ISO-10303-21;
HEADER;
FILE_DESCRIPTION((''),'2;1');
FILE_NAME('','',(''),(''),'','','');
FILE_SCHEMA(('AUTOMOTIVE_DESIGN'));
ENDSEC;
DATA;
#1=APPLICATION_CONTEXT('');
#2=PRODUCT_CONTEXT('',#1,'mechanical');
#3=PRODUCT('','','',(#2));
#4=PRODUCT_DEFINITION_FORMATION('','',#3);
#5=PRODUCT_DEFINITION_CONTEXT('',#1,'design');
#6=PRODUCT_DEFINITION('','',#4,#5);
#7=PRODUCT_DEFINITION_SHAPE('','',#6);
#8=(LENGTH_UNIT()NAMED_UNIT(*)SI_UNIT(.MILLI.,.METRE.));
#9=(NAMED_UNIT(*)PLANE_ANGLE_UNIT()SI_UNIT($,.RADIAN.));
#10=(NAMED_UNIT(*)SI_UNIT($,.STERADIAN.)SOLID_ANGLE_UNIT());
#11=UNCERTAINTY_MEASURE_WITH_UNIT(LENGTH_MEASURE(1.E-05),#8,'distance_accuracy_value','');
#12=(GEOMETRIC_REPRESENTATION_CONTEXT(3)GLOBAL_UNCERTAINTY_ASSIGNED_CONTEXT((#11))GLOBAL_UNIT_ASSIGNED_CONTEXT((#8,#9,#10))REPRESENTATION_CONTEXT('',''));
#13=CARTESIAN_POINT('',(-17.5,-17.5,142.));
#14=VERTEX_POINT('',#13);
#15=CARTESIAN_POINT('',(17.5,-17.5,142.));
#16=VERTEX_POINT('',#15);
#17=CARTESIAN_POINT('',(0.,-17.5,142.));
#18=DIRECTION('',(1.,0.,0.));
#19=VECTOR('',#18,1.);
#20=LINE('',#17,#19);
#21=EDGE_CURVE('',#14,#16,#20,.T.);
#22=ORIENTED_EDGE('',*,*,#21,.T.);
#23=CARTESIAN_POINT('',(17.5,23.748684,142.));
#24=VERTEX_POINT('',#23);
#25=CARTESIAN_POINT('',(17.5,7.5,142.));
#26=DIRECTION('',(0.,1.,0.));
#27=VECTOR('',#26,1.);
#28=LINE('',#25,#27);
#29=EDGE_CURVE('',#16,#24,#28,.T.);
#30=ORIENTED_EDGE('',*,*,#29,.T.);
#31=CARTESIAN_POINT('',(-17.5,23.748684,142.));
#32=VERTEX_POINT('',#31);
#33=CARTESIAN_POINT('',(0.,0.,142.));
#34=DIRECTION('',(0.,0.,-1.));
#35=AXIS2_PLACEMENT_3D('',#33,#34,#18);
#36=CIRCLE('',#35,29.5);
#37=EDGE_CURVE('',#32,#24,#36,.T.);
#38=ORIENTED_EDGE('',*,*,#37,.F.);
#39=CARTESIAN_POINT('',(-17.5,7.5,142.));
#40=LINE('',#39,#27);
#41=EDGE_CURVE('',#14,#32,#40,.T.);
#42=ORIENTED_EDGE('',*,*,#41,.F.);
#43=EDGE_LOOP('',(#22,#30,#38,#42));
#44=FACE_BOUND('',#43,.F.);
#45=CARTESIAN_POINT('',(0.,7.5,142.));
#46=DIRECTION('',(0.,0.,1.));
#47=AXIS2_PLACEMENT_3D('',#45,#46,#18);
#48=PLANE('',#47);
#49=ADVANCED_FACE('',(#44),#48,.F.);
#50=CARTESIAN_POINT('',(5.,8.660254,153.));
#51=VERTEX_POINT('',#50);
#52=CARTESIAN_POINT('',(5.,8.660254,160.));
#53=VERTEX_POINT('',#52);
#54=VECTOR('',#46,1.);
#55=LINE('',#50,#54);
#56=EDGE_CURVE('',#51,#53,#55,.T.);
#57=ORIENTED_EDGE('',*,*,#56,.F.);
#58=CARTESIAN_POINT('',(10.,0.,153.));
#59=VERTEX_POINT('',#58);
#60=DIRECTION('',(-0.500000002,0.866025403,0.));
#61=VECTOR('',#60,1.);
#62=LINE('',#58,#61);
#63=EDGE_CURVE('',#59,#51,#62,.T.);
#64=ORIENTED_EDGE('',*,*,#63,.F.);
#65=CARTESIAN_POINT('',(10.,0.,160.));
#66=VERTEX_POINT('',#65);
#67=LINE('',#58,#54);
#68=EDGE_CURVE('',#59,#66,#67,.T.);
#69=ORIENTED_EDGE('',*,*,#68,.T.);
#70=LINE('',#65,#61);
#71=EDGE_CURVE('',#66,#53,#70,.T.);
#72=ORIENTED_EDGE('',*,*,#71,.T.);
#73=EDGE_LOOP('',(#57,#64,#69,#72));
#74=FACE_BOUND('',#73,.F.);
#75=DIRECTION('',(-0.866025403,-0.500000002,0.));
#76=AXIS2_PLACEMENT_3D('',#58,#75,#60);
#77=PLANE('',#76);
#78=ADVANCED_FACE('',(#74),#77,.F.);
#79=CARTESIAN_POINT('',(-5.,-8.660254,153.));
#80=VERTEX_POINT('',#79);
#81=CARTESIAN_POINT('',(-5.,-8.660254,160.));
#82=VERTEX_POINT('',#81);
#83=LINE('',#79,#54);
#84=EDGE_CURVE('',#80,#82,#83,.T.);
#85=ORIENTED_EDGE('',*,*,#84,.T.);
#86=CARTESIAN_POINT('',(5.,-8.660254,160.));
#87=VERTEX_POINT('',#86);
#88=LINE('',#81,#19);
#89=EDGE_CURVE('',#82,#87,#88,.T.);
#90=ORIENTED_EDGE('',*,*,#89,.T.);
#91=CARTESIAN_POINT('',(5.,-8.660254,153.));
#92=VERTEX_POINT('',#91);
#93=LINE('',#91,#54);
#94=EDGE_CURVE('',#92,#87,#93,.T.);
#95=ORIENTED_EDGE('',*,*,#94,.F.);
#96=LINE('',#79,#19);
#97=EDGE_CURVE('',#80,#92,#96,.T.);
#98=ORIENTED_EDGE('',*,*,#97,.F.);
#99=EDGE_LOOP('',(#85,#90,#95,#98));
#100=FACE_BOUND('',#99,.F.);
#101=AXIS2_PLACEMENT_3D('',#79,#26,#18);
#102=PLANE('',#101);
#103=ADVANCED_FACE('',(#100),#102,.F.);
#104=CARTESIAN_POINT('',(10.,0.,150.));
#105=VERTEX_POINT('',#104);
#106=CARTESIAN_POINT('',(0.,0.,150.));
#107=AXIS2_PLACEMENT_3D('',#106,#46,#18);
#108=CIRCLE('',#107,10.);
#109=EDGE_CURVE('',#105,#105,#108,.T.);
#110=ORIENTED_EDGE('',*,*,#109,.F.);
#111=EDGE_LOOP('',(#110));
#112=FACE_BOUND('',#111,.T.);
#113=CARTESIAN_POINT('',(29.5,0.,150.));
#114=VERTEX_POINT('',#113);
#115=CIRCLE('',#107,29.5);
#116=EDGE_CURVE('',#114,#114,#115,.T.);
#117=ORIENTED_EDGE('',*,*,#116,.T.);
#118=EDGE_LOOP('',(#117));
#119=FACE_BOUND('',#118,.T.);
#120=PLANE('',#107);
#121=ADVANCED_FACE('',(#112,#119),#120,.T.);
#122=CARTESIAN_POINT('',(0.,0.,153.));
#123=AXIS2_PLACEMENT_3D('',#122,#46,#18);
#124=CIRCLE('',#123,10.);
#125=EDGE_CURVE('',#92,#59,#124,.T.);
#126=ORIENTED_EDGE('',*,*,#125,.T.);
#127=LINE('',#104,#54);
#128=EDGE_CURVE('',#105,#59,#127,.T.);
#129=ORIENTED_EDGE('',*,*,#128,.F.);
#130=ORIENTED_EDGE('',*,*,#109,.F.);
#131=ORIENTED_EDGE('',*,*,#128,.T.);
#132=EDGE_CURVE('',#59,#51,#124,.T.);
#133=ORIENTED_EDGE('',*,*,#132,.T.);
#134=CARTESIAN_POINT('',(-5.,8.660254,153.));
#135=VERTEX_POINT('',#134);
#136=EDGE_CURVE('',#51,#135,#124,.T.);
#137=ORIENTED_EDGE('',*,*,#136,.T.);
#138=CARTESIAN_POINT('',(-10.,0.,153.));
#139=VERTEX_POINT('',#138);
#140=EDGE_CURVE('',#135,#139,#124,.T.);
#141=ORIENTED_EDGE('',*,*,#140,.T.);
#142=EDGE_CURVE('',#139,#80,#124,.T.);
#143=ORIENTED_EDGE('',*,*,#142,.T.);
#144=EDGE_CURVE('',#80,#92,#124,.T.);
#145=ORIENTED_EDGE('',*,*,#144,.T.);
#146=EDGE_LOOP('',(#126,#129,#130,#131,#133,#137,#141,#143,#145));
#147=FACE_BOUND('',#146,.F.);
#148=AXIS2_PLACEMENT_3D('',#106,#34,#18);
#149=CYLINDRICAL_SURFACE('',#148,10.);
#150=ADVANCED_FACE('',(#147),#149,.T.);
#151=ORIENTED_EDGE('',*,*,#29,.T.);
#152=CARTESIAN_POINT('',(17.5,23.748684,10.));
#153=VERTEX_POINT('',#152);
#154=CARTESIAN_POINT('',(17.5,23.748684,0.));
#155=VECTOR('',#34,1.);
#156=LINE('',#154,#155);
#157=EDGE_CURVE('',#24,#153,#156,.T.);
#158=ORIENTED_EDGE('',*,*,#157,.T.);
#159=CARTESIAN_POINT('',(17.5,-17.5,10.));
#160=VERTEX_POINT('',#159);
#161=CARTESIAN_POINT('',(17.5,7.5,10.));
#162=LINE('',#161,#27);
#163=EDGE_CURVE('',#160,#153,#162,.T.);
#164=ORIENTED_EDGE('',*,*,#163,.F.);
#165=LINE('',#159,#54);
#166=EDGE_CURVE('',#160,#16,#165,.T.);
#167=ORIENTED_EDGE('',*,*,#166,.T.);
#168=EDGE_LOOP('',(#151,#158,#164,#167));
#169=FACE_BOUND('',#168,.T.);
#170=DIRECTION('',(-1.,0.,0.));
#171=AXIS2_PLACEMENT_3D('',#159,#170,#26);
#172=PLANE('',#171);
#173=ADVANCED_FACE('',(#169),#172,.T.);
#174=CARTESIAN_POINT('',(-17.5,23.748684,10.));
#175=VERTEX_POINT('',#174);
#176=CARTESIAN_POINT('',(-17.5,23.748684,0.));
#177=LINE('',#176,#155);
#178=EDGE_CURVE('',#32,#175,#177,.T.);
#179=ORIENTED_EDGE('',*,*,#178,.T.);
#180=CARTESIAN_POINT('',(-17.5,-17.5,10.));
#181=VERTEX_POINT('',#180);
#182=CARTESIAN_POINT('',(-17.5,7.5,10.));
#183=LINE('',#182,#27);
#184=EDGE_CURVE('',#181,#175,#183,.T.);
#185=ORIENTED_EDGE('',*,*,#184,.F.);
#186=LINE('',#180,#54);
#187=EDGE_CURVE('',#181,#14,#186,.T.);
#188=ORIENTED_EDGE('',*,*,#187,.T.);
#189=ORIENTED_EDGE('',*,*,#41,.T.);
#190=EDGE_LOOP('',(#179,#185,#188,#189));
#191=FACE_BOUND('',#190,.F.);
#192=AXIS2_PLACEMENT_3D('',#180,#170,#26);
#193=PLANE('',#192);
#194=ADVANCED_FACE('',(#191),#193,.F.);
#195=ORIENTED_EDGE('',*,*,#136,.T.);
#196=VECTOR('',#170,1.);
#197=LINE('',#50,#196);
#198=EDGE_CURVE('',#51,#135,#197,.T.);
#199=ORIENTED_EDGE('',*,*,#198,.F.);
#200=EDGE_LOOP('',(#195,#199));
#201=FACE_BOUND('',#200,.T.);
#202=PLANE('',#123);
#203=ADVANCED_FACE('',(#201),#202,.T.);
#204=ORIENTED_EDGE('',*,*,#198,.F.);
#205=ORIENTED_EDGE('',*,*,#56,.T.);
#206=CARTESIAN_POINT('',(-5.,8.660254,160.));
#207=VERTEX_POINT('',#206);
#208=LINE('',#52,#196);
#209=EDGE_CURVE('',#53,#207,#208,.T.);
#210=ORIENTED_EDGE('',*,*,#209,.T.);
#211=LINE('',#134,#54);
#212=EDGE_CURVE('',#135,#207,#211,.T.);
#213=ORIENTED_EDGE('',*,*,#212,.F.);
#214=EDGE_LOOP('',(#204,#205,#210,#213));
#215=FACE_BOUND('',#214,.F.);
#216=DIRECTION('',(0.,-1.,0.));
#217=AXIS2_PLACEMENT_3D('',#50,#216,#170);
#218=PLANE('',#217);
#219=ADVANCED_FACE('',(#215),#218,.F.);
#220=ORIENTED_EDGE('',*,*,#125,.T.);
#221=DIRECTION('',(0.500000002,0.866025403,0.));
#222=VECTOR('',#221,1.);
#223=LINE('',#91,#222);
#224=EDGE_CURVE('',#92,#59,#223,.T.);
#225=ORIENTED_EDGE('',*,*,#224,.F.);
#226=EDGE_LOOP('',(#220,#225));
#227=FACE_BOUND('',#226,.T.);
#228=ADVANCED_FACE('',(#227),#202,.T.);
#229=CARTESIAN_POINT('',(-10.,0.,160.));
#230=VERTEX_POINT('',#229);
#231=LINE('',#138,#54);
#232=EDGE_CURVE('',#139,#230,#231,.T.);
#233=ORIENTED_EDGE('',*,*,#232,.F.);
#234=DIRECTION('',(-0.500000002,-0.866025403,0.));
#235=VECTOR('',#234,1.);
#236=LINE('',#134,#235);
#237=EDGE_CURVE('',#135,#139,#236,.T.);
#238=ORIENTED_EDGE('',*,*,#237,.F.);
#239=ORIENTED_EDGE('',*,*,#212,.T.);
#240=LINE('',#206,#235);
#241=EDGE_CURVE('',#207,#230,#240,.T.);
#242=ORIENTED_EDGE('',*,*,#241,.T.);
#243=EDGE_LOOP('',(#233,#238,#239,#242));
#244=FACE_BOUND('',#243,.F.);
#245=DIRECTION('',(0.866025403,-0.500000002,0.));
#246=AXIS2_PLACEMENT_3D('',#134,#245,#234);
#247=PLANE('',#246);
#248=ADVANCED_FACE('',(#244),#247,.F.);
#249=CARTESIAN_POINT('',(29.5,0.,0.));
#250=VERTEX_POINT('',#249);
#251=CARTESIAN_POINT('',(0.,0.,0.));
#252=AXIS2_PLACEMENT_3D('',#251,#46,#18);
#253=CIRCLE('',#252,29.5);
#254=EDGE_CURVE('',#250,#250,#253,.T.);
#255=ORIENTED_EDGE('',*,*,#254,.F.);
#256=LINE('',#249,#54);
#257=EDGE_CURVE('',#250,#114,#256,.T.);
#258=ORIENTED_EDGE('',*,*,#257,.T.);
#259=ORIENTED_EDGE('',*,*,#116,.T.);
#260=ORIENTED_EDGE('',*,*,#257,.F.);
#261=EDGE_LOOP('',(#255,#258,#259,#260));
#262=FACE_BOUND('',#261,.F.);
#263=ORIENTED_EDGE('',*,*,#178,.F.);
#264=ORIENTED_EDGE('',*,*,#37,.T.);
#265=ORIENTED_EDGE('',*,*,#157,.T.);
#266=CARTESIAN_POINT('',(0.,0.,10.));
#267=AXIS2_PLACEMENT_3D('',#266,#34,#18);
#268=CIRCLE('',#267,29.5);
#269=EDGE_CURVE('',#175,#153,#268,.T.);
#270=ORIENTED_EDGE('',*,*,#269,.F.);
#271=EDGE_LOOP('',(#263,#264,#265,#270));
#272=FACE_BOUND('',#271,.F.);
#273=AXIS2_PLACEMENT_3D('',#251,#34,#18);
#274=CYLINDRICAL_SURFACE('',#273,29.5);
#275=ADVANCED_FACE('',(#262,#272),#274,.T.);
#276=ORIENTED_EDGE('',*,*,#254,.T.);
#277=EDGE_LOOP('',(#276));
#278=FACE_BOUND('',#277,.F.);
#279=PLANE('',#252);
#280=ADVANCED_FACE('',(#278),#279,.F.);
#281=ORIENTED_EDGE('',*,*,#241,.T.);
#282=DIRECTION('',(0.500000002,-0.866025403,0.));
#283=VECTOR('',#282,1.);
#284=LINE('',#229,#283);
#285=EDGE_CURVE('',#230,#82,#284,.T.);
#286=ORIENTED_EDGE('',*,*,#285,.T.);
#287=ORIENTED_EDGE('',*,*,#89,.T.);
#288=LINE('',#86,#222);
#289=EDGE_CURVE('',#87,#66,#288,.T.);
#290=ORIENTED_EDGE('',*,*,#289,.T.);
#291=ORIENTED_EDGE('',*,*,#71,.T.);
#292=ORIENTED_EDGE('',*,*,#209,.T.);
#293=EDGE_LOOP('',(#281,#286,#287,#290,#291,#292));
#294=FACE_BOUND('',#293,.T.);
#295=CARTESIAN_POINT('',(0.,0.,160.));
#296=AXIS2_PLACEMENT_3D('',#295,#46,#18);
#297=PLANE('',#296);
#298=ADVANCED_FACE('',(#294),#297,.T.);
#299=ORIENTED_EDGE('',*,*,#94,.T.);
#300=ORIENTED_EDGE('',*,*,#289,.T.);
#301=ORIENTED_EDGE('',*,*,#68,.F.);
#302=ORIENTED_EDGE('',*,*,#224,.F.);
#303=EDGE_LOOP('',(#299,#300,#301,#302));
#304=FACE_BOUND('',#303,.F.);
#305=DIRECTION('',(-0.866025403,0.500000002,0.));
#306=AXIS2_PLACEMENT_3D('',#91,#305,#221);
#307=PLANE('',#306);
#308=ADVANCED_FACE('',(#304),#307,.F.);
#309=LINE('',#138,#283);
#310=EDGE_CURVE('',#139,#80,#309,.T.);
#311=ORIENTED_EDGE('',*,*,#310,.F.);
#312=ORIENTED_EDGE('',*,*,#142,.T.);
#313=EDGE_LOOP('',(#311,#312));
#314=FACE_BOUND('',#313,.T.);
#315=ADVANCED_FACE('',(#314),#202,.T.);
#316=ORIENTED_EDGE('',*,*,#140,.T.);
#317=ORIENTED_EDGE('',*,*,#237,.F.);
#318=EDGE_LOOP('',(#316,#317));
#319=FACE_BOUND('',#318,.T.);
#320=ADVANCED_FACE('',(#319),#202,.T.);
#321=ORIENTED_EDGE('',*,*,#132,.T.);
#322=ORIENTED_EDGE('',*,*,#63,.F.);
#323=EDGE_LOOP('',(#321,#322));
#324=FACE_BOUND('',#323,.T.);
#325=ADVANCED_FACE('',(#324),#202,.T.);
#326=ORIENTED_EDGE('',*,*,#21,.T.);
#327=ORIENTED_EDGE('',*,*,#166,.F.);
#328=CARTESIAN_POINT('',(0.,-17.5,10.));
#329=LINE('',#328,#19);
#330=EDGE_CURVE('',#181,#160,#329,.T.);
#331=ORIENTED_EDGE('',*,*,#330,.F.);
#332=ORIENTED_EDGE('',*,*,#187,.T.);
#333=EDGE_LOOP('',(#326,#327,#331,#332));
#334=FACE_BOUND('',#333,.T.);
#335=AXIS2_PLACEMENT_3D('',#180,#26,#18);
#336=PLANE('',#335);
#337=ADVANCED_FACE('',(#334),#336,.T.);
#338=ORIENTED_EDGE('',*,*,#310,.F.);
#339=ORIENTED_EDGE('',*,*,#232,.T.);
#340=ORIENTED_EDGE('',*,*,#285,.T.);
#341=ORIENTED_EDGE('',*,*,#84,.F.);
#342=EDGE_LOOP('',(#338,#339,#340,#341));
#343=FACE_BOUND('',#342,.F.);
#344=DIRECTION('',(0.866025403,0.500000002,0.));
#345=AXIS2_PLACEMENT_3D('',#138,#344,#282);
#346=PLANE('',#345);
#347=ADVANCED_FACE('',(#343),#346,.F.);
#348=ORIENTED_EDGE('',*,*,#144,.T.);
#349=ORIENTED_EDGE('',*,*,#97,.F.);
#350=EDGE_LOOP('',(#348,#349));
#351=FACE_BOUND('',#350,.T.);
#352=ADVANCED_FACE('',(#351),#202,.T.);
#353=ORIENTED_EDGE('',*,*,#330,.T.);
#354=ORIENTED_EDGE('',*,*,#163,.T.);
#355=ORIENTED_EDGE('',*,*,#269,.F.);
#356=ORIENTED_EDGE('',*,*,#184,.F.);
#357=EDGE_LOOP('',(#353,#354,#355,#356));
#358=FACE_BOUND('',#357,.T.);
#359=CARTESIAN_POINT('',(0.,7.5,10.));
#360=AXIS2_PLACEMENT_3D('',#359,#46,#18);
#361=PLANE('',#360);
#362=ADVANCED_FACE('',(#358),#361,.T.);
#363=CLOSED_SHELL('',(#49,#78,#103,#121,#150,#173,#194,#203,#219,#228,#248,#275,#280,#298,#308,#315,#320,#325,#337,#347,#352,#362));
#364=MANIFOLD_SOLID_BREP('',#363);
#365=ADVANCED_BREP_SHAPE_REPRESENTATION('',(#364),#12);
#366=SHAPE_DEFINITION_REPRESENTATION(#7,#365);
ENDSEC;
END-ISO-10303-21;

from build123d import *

# Parameters (mm, degrees)
CYLINDER_R        = 29.5
CYLINDER_DEPTH    = 150
BOX_W             = 35
BOX_H             = 50
BOX_DEPTH         = 132
CYLINDER001_R     = 10
CYLINDER001_DEPTH = 3
PRISM_DEPTH       = 7


with BuildPart() as part:
    # Cylinder → Cylinder (join)
    with BuildSketch(Plane.XY):
        Circle(CYLINDER_R)
    extrude(amount=CYLINDER_DEPTH)

    # Box → Box (cut)
    with BuildSketch(Plane(origin=(-17.5, -17.5, 10), x_dir=(1, 0, 0), z_dir=(0, 0, 1))):
        with Locations((17.5, 25)):
            Rectangle(BOX_W, BOX_H)
    extrude(amount=BOX_DEPTH, mode=Mode.SUBTRACT)

    # Cylinder001 → Cylinder001 (join)
    with BuildSketch(Plane.XY.offset(150)):
        Circle(CYLINDER001_R)
    extrude(amount=CYLINDER001_DEPTH)

    # Prism → Prism (join)
    with BuildSketch(Plane.XY.offset(153)):
        Polygon((10, 0), (5, 8.660254), (-5, 8.660254), (-10, 0), (-5, -8.660254), (5, -8.660254), align=None)
    extrude(amount=PRISM_DEPTH)


solid = part.part
